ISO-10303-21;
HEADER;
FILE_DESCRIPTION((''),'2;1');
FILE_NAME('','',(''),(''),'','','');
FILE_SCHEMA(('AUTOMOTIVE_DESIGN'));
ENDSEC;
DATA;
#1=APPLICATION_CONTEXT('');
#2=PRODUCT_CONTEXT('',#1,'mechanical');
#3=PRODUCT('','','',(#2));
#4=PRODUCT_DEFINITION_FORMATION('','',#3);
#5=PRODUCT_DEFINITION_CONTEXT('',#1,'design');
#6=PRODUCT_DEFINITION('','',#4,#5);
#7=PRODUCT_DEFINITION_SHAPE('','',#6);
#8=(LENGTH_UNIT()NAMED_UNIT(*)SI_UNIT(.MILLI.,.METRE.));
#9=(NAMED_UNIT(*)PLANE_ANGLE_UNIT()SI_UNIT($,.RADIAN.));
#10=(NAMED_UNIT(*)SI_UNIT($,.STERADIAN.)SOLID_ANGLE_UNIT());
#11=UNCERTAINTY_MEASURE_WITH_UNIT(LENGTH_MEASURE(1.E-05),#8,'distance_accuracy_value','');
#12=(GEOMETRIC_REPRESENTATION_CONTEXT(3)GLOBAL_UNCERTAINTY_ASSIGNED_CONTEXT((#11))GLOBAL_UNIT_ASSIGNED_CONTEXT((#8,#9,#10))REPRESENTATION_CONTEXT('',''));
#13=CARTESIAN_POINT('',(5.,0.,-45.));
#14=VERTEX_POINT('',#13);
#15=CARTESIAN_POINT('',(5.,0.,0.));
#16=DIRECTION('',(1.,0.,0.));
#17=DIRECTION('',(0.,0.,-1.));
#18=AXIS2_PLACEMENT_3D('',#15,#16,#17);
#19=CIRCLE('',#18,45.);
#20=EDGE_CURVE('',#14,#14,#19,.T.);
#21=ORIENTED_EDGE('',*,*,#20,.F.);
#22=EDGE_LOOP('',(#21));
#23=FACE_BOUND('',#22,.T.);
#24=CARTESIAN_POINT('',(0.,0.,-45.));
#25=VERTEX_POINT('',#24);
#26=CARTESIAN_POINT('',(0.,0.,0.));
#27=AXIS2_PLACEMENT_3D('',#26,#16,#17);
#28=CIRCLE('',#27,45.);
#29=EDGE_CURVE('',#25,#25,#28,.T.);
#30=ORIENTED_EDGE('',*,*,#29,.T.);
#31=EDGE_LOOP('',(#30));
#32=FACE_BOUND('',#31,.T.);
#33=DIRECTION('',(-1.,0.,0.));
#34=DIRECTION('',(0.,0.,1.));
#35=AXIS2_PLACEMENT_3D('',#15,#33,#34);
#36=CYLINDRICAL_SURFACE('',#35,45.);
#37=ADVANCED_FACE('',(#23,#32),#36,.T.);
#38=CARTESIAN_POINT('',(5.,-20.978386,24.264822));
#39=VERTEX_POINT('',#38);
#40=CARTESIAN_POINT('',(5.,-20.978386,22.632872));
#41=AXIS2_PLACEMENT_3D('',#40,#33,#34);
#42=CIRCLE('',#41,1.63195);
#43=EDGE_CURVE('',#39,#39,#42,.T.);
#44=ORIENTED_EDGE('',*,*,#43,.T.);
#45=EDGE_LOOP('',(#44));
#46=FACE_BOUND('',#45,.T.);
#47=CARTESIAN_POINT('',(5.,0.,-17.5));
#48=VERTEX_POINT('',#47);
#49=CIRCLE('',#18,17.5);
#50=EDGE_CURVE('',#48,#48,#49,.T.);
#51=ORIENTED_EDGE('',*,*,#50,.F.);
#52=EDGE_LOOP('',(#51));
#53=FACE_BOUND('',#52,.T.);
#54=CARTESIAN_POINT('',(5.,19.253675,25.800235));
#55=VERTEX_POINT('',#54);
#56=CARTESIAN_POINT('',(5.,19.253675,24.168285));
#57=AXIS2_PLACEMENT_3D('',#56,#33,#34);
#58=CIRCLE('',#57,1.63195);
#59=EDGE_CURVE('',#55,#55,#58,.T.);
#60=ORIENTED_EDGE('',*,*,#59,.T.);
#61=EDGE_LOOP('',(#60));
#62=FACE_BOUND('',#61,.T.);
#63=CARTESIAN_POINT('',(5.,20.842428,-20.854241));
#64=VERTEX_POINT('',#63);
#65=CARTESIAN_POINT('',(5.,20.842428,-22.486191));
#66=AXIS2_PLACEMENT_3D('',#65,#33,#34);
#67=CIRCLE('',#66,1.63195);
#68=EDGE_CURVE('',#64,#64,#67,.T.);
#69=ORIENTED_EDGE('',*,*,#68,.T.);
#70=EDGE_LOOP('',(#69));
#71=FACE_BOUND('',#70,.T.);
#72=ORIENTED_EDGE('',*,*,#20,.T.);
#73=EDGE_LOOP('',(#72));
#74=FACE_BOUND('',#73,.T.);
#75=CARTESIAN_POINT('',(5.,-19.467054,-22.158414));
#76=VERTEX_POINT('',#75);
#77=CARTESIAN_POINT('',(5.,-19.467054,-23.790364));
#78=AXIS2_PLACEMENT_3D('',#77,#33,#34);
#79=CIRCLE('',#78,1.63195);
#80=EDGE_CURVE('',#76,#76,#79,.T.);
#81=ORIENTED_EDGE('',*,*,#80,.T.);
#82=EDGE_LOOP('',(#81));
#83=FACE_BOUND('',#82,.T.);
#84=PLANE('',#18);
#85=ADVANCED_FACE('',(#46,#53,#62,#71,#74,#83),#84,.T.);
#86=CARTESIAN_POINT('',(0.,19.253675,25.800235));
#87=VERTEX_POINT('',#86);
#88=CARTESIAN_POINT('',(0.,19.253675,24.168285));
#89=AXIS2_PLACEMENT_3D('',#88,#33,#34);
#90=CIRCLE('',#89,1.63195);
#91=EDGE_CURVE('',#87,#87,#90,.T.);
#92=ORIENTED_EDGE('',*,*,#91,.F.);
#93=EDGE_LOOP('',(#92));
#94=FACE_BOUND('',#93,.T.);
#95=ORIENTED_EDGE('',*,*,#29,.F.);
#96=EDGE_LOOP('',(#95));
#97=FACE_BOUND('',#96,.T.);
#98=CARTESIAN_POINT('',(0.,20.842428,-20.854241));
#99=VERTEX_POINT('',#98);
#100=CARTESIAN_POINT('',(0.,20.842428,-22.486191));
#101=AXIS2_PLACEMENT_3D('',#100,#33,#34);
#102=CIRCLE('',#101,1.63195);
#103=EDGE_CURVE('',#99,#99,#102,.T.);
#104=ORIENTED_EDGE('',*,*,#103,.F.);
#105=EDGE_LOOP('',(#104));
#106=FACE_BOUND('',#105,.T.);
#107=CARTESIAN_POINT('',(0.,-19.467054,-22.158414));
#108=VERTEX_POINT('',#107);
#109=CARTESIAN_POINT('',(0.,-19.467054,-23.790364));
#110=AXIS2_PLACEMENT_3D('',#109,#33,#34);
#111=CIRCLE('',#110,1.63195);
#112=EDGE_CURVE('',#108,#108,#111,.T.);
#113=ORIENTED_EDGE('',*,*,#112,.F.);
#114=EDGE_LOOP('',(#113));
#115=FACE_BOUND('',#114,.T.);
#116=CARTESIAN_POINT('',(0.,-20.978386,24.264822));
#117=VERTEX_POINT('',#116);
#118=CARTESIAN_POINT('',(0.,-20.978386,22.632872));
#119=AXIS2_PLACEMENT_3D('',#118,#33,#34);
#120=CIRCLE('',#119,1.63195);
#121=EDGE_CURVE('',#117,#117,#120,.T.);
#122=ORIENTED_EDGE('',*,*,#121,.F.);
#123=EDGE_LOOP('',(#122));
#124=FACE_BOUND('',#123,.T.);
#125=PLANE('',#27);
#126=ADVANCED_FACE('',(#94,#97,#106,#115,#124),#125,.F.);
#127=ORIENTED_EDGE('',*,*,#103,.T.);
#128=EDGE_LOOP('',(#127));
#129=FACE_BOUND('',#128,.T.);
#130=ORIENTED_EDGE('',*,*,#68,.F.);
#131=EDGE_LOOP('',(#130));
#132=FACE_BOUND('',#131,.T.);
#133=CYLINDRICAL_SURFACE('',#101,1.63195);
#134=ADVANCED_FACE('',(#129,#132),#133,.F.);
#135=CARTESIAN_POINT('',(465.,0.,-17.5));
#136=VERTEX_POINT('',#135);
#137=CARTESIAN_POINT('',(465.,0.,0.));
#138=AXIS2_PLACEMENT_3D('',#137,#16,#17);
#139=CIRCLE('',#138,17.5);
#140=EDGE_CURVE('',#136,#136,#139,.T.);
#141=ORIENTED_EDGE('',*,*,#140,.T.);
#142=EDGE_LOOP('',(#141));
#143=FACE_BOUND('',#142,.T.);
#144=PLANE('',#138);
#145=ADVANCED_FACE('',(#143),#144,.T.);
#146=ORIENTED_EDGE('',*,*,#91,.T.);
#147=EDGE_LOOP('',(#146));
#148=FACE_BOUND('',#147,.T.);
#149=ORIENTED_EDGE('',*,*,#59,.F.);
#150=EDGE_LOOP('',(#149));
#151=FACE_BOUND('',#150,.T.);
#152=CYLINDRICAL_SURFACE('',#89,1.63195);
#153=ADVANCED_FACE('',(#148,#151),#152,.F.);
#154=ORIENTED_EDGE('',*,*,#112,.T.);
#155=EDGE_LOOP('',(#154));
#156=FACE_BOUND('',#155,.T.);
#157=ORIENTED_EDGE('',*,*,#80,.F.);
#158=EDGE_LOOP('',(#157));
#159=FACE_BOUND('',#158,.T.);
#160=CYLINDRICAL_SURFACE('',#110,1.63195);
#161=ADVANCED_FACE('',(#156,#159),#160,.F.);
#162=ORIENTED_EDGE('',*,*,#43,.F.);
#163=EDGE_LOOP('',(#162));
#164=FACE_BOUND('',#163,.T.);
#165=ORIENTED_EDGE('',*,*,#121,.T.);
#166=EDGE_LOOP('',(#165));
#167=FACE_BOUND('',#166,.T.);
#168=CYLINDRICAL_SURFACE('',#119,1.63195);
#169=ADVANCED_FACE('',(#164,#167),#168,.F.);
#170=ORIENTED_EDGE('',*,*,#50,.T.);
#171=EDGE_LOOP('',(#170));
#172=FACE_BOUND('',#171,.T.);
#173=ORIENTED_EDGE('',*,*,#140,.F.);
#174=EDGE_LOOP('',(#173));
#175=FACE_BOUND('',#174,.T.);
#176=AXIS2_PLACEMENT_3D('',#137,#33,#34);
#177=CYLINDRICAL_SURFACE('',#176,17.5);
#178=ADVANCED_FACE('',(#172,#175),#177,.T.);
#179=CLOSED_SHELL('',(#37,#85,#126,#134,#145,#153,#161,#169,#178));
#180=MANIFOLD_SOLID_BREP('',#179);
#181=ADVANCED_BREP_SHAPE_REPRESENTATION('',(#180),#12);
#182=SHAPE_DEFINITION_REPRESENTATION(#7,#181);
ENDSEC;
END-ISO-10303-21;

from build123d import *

# Parameters (mm, degrees)
CROQUIS1_R                      = 45
SALIENTE_EXTRUIR1_DEPTH         = 5
CROQUIS2_R                      = 17.5
SALIENTE_EXTRUIR2_DEPTH         = 460
TALADRO_DE_MARGEN_PARA_45_D     = 3.2639
TALADRO_DE_MARGEN_PARA_45_DEPTH = 5
TALADRO_DE_MARGEN_PARA_45_TIP   = 0.980574487


with BuildPart() as part:
    # Croquis1 → Saliente-Extruir1 (new body)
    with BuildSketch(Plane(origin=(0, 0, 0), x_dir=(0, 0, -1), z_dir=(1, 0, 0))):
        Circle(CROQUIS1_R)
    extrude(amount=SALIENTE_EXTRUIR1_DEPTH)

    # Croquis2 → Saliente-Extruir2 (add)
    with BuildSketch(Plane(origin=(5, 0, 0), x_dir=(0, 0, -1), z_dir=(1, 0, 0))):
        Circle(CROQUIS2_R)
    extrude(amount=SALIENTE_EXTRUIR2_DEPTH)

    # Taladro de margen para #45
    with Locations(Plane.ZY):
        with Locations((24.168284878, 19.253675131), (-22.486191371, 20.842427824), (-23.790363973, -19.467053758), (22.632872333, -20.978386258)):
            Hole(TALADRO_DE_MARGEN_PARA_45_D / 2, depth=TALADRO_DE_MARGEN_PARA_45_DEPTH)
            with Locations((0, 0, -(TALADRO_DE_MARGEN_PARA_45_DEPTH + TALADRO_DE_MARGEN_PARA_45_TIP / 2))):  # 118° drill point
                Cone(0, TALADRO_DE_MARGEN_PARA_45_D / 2, TALADRO_DE_MARGEN_PARA_45_TIP, mode=Mode.SUBTRACT)


solid = part.part
